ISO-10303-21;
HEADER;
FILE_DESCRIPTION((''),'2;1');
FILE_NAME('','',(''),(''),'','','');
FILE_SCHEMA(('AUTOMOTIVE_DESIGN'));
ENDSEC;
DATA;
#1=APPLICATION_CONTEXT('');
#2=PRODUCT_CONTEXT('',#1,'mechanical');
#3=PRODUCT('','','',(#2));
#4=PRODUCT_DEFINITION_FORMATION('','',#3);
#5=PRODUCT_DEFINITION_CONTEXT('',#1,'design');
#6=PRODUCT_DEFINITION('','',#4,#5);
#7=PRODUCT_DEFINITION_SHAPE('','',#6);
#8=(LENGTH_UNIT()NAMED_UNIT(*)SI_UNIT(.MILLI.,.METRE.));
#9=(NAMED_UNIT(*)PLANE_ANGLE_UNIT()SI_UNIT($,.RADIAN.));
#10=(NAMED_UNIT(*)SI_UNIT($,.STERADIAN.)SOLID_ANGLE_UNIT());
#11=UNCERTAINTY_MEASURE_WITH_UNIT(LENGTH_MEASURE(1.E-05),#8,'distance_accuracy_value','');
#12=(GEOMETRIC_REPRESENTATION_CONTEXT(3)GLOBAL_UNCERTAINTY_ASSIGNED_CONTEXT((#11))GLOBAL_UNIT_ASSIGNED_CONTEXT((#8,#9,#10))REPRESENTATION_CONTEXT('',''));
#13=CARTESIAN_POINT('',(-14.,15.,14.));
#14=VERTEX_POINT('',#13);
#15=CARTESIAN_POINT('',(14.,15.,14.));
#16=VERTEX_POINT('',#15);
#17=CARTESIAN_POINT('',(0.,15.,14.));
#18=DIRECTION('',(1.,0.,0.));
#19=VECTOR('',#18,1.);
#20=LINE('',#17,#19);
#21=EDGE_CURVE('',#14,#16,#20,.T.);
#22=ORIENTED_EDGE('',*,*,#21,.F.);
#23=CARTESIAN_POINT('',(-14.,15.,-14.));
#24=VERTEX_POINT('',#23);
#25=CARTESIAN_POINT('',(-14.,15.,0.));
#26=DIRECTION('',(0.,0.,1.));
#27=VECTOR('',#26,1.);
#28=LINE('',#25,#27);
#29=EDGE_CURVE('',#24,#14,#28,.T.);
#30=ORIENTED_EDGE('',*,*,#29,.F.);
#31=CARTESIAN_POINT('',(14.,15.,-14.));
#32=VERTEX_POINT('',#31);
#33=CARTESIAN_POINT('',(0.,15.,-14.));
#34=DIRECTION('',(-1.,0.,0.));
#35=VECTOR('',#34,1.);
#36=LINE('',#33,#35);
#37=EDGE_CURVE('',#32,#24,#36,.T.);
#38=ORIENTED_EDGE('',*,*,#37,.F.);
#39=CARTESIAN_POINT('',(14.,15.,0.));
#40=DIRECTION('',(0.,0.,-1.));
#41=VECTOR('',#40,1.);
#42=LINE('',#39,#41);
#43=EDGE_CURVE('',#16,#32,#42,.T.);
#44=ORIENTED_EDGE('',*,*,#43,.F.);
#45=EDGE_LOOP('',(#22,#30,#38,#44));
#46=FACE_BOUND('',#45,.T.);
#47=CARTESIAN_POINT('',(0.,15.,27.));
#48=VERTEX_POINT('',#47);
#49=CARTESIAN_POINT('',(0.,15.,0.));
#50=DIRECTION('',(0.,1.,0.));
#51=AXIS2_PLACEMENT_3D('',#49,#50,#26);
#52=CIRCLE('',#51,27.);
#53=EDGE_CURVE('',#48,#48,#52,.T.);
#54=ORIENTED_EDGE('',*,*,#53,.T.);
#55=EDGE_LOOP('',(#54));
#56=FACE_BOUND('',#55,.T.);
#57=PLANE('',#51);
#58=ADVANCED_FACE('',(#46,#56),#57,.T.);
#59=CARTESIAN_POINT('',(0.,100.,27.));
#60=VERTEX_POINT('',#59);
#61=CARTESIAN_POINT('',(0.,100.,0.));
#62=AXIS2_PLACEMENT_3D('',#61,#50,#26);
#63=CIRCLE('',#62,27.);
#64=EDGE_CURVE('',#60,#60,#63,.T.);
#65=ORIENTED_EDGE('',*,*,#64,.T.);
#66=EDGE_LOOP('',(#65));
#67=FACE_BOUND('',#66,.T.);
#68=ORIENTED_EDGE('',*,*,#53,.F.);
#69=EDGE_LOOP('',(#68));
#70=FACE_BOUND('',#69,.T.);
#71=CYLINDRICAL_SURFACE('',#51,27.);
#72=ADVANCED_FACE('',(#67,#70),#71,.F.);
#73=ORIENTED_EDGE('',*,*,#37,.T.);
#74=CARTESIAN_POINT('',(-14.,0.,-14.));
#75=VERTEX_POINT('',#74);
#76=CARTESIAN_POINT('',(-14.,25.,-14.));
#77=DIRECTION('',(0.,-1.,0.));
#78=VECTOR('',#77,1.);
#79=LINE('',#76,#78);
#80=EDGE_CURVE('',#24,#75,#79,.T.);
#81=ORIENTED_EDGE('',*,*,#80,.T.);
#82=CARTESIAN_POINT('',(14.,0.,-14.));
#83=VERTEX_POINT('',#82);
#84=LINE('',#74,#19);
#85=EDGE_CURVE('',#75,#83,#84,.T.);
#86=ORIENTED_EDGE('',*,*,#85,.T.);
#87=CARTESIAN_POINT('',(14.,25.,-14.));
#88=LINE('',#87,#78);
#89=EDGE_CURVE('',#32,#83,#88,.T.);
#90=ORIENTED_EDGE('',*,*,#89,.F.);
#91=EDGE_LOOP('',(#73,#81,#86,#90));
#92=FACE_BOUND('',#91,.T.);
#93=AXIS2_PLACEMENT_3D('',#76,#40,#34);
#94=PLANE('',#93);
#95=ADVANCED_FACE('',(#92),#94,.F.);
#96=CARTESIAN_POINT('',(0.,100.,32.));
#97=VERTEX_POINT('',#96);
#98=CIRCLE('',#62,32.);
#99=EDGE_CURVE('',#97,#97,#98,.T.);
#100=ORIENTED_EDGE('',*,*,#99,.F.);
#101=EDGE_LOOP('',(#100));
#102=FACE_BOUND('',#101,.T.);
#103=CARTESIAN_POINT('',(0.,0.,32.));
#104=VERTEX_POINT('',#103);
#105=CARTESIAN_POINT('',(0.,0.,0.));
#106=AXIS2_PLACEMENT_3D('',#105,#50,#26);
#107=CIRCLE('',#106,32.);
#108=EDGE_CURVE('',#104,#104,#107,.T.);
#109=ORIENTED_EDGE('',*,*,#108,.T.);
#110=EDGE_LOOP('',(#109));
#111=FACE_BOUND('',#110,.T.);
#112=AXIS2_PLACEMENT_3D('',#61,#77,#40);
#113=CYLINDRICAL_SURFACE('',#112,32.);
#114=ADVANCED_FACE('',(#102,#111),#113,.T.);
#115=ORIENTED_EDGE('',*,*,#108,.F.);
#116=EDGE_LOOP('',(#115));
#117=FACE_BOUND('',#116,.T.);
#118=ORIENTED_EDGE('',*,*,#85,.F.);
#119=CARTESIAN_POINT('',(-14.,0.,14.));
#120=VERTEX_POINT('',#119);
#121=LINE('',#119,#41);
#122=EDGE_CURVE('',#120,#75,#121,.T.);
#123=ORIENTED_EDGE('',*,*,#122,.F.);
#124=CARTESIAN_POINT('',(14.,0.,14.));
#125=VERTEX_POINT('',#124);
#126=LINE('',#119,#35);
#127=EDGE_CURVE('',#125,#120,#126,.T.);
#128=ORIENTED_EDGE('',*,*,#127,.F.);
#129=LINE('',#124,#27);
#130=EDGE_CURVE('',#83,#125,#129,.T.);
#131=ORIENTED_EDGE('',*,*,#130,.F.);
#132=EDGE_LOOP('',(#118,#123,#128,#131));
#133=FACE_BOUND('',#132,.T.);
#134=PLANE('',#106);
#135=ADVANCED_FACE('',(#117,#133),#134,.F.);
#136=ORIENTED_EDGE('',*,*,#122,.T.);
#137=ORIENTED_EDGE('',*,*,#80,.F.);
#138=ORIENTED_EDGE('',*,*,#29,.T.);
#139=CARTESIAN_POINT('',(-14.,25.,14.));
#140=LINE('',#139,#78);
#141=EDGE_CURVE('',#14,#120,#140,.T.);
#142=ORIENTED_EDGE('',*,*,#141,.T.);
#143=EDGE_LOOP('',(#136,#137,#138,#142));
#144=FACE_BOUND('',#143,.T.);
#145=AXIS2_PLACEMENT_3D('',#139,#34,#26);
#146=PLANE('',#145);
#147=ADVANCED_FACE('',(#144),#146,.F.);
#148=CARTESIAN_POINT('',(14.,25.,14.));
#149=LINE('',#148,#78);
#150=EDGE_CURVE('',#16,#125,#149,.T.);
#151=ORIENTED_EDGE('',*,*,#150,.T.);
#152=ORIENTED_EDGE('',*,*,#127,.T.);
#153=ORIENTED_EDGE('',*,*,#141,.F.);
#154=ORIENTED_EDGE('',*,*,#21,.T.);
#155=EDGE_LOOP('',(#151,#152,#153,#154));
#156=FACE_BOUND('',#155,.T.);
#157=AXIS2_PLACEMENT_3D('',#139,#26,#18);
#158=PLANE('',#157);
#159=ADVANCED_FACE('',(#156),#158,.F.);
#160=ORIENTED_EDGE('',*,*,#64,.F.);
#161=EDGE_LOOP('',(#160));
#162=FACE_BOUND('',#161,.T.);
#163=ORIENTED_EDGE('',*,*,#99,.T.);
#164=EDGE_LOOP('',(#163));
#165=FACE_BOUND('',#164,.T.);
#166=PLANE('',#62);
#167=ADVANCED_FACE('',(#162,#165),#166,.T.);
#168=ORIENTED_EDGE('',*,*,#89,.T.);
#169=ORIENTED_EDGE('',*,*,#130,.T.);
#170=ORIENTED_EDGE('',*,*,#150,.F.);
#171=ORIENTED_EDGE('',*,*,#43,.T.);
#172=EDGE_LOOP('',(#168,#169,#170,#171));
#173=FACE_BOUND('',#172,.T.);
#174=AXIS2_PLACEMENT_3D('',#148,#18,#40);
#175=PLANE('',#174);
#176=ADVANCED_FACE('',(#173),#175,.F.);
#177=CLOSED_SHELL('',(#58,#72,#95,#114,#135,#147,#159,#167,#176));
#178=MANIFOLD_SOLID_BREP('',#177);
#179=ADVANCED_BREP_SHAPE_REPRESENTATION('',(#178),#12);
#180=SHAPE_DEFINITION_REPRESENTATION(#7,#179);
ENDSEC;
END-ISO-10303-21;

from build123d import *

# Parameters (mm, degrees)
SKETCH1_R           = 32
BOSS_EXTRUDE1_DEPTH = 100
SKETCH2_R           = 27
CUT_EXTRUDE1_DEPTH  = 85
SKETCH3_W           = 28
SKETCH3_H           = 28
CUT_EXTRUDE2_DEPTH  = 25


with BuildPart() as part:
    # Sketch1 → Boss-Extrude1 (new body)
    with BuildSketch(Plane(origin=(0, 0, 0), x_dir=(1, 0, 0), z_dir=(0, 1, 0))):
        with Locations(Location((0, 0, 0), (0, 0, 270))):
            Circle(SKETCH1_R)
    extrude(amount=BOSS_EXTRUDE1_DEPTH)

    # Sketch2 → Cut-Extrude1 (cut)
    with BuildSketch(Plane(origin=(0, 100, 0), x_dir=(1, 0, 0), z_dir=(0, 1, 0))):
        with Locations(Location((0, 0, 0), (0, 0, 270))):
            Circle(SKETCH2_R)
    extrude(amount=-CUT_EXTRUDE1_DEPTH, mode=Mode.SUBTRACT)

    # Sketch3 → Cut-Extrude2 (cut)
    with BuildSketch(Plane.XZ):
        Rectangle(SKETCH3_W, SKETCH3_H)
    extrude(amount=-CUT_EXTRUDE2_DEPTH, mode=Mode.SUBTRACT)


solid = part.part
